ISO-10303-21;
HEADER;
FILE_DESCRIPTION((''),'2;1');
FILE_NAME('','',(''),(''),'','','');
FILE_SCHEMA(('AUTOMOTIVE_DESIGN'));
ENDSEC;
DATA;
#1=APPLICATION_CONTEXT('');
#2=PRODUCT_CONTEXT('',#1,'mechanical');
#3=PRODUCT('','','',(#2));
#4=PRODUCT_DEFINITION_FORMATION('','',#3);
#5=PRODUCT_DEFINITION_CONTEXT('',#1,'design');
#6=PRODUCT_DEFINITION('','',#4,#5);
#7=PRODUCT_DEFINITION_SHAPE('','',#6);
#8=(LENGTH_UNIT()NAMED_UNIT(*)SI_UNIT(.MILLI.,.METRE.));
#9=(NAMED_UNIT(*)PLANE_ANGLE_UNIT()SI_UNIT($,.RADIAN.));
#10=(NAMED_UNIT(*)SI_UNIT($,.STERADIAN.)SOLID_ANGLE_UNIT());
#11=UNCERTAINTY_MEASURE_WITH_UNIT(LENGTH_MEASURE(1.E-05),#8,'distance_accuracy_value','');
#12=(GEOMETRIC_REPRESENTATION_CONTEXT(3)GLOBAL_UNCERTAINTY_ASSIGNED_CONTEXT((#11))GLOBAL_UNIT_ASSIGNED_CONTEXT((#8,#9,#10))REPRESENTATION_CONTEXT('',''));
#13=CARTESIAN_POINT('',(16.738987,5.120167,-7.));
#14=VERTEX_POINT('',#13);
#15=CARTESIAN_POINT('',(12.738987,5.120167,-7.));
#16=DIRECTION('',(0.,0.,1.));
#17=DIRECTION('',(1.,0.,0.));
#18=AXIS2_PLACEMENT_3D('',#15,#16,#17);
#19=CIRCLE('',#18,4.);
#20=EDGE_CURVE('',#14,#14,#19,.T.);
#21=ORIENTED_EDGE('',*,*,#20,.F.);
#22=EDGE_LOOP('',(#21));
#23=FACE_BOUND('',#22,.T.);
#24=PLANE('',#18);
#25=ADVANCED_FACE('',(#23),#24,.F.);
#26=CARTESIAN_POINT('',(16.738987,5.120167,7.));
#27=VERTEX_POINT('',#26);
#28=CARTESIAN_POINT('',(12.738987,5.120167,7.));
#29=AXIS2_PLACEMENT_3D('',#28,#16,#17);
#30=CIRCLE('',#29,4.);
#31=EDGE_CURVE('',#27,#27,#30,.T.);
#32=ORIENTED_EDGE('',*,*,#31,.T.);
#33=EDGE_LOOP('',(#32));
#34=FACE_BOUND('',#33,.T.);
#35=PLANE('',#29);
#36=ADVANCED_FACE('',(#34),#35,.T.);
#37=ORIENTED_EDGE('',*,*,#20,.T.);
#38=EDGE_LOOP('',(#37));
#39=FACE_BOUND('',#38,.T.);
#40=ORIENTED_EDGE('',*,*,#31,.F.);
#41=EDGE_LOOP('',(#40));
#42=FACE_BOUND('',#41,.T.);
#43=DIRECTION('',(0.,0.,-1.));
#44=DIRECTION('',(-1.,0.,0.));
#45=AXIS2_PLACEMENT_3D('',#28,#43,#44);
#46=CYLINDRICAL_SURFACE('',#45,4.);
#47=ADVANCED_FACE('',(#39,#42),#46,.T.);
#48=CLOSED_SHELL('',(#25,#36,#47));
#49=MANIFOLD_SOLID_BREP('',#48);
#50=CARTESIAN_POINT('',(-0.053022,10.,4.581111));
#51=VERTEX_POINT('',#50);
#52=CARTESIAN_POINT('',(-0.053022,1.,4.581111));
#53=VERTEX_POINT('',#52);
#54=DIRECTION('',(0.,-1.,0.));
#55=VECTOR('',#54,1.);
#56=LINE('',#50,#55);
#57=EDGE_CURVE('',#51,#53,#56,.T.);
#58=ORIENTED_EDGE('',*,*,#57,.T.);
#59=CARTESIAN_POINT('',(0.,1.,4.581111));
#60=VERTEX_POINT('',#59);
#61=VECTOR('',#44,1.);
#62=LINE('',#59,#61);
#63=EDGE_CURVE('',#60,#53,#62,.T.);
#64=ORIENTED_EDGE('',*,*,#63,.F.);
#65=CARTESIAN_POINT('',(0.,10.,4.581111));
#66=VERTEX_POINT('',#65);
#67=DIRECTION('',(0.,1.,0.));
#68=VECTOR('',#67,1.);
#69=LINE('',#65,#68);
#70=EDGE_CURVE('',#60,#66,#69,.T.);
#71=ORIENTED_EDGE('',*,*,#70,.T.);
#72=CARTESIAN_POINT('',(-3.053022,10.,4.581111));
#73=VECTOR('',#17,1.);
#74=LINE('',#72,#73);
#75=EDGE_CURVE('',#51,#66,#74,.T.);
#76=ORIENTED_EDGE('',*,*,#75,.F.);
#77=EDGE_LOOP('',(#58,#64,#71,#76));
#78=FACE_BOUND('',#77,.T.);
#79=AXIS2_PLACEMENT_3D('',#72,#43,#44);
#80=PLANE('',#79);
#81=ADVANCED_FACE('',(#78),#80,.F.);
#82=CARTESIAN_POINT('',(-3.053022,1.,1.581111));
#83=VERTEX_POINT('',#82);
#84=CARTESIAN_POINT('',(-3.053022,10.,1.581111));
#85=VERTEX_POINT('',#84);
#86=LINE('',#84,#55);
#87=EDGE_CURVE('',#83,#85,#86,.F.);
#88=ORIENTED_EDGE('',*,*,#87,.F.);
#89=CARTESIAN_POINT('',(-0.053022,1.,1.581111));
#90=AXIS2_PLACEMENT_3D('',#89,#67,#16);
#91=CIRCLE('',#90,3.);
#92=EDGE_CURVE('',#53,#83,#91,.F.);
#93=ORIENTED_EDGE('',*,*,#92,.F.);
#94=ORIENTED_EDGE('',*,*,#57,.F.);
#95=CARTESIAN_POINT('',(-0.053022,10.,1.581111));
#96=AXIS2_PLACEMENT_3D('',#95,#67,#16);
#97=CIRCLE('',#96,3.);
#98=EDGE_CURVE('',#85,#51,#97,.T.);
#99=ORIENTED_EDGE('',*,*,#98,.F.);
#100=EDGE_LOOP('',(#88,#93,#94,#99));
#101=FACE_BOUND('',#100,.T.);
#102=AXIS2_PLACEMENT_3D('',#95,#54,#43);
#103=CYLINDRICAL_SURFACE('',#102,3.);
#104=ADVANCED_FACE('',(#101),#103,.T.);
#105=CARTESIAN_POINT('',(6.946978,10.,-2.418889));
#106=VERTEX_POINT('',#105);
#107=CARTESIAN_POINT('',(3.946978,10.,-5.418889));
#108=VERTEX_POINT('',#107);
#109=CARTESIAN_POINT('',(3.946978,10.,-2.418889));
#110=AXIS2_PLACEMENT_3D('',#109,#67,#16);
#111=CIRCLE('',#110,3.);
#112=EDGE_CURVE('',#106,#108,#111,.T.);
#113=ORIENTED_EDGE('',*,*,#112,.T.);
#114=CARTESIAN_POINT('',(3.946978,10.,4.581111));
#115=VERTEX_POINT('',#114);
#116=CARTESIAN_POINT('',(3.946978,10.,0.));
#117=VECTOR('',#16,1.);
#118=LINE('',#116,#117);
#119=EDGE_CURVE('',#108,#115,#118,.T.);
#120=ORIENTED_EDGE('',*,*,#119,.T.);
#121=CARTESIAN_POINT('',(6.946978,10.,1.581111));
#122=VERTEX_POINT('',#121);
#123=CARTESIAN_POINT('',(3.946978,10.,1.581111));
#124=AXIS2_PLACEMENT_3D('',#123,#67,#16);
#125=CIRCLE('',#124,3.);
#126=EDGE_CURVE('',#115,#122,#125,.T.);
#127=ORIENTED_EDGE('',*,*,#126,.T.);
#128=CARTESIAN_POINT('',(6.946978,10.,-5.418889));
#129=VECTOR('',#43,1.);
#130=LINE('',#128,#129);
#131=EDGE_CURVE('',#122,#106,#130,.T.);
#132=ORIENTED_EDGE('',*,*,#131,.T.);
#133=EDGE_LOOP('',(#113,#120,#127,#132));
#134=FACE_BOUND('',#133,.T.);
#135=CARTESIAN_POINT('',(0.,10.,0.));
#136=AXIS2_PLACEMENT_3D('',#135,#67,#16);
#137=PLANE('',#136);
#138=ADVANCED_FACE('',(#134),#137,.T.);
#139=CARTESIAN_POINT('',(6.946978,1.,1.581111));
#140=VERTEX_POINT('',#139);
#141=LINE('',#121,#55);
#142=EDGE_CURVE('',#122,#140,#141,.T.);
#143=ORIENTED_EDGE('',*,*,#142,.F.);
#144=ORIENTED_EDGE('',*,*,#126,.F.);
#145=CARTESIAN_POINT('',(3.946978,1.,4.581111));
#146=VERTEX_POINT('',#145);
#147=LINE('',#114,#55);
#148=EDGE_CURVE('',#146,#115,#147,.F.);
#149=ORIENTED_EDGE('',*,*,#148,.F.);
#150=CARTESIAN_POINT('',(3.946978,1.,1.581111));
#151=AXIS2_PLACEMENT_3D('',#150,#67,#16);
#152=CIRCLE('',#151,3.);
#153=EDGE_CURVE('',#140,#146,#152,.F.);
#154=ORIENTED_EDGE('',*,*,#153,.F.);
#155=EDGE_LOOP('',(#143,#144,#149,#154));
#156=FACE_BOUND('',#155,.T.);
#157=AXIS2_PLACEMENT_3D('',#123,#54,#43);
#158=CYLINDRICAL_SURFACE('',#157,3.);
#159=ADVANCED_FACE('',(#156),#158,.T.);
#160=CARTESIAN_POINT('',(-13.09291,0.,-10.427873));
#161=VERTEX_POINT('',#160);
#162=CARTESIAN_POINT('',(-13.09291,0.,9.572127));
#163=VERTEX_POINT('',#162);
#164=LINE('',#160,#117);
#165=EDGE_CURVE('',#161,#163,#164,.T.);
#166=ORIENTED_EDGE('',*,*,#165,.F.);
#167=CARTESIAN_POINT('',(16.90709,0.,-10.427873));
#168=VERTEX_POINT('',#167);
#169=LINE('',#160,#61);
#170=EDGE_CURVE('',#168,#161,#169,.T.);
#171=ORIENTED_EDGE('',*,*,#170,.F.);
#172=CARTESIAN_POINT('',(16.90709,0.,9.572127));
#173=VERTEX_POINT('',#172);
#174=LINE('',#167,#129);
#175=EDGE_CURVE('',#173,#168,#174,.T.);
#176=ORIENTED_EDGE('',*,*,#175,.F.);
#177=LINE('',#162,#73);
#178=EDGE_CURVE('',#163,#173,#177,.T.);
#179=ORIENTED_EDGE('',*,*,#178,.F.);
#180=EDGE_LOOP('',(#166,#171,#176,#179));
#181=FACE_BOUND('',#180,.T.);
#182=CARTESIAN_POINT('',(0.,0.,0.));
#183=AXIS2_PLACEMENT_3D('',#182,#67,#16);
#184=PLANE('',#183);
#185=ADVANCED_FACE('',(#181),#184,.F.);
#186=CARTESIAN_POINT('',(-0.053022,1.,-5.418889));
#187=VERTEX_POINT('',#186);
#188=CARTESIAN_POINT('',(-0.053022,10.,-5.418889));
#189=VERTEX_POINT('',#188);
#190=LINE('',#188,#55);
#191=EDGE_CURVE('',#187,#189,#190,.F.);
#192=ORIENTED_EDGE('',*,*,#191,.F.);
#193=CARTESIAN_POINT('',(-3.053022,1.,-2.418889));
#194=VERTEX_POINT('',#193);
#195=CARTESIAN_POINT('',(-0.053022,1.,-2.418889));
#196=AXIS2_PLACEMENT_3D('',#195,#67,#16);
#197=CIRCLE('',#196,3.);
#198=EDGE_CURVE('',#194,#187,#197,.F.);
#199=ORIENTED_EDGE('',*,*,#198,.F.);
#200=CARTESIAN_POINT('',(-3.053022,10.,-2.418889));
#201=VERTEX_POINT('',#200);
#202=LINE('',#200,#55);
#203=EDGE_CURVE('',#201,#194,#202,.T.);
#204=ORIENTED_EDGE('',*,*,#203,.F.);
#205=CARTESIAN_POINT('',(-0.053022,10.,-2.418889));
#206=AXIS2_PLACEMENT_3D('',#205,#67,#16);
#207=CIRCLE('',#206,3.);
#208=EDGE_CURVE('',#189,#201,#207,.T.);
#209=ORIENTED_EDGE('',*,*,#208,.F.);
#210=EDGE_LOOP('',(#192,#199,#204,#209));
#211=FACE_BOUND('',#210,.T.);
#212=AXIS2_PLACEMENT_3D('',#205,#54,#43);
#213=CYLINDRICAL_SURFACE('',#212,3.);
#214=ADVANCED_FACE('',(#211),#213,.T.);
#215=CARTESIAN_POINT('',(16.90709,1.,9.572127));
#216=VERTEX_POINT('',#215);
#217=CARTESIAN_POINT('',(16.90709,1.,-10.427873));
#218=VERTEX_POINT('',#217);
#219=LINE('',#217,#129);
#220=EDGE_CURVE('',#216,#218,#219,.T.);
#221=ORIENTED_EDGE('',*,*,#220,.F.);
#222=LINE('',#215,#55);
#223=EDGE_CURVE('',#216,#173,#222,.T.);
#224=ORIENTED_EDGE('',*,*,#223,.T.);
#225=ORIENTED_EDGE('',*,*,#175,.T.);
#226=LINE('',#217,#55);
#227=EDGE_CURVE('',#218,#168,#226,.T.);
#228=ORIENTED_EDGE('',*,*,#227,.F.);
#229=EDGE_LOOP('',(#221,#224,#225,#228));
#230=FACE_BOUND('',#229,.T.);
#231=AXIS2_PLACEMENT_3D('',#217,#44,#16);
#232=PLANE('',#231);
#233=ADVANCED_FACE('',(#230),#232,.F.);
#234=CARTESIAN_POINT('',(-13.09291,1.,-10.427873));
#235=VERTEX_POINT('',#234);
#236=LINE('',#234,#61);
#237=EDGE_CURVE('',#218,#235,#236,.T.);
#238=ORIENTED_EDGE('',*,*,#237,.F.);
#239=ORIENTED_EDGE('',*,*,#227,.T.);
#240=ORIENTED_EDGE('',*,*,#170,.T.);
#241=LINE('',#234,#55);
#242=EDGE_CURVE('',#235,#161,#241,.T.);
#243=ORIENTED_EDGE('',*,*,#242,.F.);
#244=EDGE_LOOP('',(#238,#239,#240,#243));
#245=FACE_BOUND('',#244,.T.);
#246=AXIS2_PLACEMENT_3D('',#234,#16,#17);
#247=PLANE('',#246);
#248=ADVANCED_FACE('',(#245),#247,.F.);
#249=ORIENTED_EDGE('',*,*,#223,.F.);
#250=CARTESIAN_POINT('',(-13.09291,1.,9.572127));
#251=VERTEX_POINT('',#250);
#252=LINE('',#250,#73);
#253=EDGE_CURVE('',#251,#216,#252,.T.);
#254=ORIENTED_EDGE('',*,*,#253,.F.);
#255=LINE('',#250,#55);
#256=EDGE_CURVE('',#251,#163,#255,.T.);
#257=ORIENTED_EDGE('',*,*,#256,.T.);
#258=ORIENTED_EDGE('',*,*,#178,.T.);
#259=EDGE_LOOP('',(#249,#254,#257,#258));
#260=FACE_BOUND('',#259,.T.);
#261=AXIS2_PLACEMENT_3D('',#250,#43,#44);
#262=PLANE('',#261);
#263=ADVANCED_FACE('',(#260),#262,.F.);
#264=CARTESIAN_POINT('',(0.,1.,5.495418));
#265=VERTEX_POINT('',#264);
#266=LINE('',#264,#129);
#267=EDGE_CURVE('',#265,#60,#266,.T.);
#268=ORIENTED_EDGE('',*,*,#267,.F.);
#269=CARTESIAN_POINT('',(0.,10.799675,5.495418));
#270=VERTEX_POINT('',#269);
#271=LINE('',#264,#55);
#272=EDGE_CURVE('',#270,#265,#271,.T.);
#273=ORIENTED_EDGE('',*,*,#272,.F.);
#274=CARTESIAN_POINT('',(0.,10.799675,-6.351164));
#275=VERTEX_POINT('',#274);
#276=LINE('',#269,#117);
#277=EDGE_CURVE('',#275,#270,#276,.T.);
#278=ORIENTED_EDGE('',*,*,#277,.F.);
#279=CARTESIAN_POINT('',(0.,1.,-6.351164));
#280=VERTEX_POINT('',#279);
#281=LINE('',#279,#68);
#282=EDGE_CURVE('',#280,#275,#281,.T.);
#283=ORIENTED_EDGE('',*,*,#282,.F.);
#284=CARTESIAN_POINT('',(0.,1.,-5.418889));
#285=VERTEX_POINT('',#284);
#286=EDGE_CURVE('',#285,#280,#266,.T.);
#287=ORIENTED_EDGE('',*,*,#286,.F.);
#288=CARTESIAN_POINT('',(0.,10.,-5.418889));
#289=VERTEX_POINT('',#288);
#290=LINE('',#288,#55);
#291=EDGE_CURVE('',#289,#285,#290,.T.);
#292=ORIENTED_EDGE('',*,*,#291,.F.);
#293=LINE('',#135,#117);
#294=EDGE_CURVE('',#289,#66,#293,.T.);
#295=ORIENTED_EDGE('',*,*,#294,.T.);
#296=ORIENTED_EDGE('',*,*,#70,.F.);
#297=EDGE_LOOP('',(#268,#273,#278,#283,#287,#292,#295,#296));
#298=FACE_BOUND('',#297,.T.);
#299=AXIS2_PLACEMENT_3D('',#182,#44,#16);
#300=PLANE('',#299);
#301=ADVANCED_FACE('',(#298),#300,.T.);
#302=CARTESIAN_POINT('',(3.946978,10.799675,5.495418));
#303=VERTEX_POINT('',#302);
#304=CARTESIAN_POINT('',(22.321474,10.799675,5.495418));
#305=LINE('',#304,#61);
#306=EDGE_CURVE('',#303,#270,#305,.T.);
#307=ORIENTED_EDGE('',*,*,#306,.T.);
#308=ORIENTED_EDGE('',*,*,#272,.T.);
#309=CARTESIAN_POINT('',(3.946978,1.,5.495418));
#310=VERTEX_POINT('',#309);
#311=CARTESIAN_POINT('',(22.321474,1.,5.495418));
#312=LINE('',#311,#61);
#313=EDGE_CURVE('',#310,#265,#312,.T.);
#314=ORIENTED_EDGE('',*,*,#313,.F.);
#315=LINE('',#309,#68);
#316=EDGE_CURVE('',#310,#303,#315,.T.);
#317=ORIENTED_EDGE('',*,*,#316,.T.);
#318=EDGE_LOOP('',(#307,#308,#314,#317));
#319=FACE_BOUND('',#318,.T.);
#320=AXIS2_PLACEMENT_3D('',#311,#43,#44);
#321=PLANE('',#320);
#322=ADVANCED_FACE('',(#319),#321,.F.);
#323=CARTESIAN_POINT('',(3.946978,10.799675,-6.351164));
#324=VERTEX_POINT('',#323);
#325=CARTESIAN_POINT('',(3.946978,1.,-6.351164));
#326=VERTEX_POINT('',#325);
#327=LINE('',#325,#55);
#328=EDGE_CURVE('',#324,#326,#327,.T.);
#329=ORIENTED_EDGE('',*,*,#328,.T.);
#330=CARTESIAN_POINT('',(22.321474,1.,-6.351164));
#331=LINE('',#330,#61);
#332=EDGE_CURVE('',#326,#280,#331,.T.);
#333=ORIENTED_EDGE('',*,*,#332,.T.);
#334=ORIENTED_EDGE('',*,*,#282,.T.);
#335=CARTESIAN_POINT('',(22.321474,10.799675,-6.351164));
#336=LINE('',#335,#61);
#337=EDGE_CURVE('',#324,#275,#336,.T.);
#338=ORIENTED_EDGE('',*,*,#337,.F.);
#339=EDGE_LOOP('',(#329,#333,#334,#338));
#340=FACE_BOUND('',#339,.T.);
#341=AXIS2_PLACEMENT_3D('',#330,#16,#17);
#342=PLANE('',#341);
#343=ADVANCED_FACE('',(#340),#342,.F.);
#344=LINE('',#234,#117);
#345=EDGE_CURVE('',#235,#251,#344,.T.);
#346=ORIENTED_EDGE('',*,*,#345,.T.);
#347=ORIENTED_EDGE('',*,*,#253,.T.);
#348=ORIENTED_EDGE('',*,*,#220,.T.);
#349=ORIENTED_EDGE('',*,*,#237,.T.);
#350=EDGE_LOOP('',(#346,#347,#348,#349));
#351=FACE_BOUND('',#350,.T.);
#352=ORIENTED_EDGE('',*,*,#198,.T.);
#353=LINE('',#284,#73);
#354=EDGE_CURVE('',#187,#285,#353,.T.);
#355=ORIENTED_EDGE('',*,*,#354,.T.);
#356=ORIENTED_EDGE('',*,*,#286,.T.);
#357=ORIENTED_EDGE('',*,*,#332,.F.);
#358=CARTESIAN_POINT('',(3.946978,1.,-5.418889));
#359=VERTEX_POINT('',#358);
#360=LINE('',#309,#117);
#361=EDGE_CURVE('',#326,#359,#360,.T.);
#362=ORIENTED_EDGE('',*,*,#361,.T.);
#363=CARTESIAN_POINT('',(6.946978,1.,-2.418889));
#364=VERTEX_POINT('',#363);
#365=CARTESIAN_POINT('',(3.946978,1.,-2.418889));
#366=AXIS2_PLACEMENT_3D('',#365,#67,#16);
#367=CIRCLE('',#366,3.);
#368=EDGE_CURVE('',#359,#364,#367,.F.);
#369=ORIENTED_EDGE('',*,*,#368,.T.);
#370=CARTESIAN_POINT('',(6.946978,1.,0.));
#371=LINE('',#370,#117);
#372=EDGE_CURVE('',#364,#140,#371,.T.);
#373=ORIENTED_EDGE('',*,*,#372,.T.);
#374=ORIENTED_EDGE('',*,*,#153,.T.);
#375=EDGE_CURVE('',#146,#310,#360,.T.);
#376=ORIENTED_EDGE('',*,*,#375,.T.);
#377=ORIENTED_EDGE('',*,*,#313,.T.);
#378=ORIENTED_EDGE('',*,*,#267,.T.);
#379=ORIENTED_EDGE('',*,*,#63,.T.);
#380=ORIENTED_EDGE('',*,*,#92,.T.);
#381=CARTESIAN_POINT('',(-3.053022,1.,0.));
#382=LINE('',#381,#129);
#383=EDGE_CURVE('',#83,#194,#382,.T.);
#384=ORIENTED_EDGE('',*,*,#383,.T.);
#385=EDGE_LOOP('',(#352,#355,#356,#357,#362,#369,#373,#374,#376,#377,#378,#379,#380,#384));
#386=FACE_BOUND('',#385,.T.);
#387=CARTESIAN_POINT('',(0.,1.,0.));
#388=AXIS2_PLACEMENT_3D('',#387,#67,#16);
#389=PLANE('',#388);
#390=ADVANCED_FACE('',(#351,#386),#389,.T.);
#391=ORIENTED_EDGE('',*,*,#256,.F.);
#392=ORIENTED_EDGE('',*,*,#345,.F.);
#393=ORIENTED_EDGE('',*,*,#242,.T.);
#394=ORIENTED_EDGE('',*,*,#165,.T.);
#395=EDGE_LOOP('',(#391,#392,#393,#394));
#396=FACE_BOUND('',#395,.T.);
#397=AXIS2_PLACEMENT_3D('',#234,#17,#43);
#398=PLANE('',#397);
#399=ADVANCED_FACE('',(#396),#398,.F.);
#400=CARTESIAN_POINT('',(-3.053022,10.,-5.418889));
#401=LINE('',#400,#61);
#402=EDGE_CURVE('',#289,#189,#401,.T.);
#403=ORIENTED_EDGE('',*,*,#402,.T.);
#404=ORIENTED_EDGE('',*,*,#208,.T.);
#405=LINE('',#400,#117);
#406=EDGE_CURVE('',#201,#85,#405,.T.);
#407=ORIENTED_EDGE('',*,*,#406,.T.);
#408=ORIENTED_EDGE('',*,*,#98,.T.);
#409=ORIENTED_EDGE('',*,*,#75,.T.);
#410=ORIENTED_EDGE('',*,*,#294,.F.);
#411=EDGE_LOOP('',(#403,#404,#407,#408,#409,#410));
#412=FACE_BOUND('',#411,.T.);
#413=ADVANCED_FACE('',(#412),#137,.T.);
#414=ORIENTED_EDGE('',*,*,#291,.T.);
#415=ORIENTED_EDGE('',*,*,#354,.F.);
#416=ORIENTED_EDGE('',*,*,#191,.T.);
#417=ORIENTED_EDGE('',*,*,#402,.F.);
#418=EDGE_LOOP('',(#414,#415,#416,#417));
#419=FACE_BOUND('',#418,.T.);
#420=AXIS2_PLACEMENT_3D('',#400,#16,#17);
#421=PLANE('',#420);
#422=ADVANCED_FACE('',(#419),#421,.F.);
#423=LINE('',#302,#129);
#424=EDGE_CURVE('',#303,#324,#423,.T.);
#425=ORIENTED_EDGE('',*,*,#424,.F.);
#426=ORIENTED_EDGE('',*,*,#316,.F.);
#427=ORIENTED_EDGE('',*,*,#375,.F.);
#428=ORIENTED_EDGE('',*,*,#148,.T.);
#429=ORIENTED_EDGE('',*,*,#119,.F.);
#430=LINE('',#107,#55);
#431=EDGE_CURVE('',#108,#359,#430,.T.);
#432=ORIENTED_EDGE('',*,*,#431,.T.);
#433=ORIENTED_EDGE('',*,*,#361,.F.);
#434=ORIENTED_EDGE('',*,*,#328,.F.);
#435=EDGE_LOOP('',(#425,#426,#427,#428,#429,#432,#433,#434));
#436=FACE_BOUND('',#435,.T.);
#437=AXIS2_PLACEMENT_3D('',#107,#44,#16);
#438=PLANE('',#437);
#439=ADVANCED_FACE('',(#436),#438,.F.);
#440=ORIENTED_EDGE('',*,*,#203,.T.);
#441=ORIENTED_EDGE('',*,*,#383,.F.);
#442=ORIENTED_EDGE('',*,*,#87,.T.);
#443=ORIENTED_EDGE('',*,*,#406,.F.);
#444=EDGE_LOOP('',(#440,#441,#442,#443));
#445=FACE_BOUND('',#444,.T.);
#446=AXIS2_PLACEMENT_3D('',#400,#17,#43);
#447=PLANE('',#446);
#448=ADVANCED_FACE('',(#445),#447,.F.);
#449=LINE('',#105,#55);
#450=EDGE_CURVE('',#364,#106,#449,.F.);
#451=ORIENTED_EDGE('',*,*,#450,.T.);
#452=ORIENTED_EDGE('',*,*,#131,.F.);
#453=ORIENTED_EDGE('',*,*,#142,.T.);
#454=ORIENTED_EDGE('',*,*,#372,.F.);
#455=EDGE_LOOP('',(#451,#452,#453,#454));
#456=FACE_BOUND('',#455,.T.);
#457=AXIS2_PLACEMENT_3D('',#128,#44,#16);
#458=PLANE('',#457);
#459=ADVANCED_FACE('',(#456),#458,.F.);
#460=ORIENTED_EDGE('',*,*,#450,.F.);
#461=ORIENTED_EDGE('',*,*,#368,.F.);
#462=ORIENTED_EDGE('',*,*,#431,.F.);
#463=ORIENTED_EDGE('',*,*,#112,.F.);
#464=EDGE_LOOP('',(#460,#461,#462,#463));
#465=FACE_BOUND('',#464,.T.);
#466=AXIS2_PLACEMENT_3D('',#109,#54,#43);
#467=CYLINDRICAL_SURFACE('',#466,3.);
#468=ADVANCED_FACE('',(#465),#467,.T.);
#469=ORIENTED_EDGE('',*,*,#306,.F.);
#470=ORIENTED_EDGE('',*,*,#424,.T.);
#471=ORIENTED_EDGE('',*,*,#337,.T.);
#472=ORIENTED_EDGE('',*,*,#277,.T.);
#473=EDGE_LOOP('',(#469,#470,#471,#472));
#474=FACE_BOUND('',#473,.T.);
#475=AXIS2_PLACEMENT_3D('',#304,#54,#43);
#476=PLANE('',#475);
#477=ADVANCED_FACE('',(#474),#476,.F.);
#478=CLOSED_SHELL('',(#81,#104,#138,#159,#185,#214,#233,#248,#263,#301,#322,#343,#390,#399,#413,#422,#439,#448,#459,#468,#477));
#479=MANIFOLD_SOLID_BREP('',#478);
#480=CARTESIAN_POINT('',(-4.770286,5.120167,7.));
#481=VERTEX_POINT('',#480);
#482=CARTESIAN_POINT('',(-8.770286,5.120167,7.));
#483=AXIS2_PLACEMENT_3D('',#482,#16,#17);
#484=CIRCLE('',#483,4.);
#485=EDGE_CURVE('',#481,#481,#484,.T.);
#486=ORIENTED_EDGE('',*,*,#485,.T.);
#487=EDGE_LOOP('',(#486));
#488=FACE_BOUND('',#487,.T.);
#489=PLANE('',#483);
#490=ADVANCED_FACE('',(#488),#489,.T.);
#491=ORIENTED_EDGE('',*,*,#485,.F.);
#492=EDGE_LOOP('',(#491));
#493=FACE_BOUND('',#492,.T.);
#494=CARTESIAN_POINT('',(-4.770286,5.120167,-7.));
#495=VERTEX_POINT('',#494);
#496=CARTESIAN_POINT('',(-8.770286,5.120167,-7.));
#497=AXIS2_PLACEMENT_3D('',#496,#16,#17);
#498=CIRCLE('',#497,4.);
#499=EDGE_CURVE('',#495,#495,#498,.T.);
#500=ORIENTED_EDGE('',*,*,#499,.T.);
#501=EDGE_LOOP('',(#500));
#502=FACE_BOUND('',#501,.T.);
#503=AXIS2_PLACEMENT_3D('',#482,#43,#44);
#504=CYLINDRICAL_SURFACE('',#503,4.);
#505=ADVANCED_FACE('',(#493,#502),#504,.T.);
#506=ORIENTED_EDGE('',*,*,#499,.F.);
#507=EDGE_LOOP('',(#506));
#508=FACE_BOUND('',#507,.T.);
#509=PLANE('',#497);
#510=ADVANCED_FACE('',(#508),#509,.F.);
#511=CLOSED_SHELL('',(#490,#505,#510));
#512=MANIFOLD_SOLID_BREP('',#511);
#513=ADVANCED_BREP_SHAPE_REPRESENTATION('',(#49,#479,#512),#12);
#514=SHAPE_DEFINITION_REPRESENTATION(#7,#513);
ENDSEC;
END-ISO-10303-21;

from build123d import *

# Parameters (mm, degrees)
SKETCH1_W             = 30
SKETCH1_H             = 20
BOSS_EXTRUDE1_DEPTH   = 1
SKETCH3_R             = 4
BOSS_EXTRUDE2_DEPTH   = 7
BOSS_EXTRUDE2_2_DEPTH = 7
SKETCH4_W             = 10
SKETCH4_H             = 10
BOSS_EXTRUDE3_DEPTH   = 10
FILLET1_R             = 3
SKETCH5_W             = 11.846582311
SKETCH5_H             = 9.799674645
BOSS_EXTRUDE4_DEPTH   = 3.946978


with BuildPart() as part:
    # Sketch1 → Boss-Extrude1 (new body)
    with BuildSketch(Plane(origin=(0, 0, 0), x_dir=(1, 0, 0), z_dir=(0, 1, 0))):
        with Locations((1.907090465, 0.427872861)):
            Rectangle(SKETCH1_W, SKETCH1_H)
    extrude(amount=BOSS_EXTRUDE1_DEPTH)

    # Sketch4 → Boss-Extrude3 (add)
    with BuildSketch(Plane(origin=(0, 0, 0), x_dir=(1, 0, 0), z_dir=(0, 1, 0))):
        with Locations((1.946977958, 0.418889495)):
            Rectangle(SKETCH4_W, SKETCH4_H)
    extrude(amount=BOSS_EXTRUDE3_DEPTH)

    # Fillet1
    fillet1_edges = [part.edges().sort_by_distance(p)[0] for p in [
        (-3.053022042, 5.5, -5.418889495),
        (-3.053022042, 5.5, 4.581110505),
        (6.946977958, 5.5, 4.581110505),
        (6.946977958, 5.5, -5.418889495),
    ]]
    fillet(fillet1_edges, radius=FILLET1_R)

    # Sketch5 → Boss-Extrude4 (add)
    with BuildSketch(Plane(origin=(0, 0, 0), x_dir=(0, 0, -1), z_dir=(1, 0, 0))):
        with Locations((0.42787286, 5.899837323)):
            Rectangle(SKETCH5_W, SKETCH5_H)
    extrude(amount=BOSS_EXTRUDE4_DEPTH)


with BuildPart() as body_2:
    # Sketch3 → Boss-Extrude2 (new body, symmetric)
    with BuildSketch(Plane.XY):
        with Locations((-8.77028568, 5.120167101)):
            Circle(SKETCH3_R)
    extrude(amount=BOSS_EXTRUDE2_DEPTH, both=True)


with BuildPart() as body_3:
    # Sketch3 → Boss-Extrude2 2 (new body, symmetric)
    with BuildSketch(Plane.XY):
        with Locations((12.738987248, 5.120167101)):
            Circle(SKETCH3_R)
    extrude(amount=BOSS_EXTRUDE2_2_DEPTH, both=True)


solid = Compound([part.part, body_2.part, body_3.part])
